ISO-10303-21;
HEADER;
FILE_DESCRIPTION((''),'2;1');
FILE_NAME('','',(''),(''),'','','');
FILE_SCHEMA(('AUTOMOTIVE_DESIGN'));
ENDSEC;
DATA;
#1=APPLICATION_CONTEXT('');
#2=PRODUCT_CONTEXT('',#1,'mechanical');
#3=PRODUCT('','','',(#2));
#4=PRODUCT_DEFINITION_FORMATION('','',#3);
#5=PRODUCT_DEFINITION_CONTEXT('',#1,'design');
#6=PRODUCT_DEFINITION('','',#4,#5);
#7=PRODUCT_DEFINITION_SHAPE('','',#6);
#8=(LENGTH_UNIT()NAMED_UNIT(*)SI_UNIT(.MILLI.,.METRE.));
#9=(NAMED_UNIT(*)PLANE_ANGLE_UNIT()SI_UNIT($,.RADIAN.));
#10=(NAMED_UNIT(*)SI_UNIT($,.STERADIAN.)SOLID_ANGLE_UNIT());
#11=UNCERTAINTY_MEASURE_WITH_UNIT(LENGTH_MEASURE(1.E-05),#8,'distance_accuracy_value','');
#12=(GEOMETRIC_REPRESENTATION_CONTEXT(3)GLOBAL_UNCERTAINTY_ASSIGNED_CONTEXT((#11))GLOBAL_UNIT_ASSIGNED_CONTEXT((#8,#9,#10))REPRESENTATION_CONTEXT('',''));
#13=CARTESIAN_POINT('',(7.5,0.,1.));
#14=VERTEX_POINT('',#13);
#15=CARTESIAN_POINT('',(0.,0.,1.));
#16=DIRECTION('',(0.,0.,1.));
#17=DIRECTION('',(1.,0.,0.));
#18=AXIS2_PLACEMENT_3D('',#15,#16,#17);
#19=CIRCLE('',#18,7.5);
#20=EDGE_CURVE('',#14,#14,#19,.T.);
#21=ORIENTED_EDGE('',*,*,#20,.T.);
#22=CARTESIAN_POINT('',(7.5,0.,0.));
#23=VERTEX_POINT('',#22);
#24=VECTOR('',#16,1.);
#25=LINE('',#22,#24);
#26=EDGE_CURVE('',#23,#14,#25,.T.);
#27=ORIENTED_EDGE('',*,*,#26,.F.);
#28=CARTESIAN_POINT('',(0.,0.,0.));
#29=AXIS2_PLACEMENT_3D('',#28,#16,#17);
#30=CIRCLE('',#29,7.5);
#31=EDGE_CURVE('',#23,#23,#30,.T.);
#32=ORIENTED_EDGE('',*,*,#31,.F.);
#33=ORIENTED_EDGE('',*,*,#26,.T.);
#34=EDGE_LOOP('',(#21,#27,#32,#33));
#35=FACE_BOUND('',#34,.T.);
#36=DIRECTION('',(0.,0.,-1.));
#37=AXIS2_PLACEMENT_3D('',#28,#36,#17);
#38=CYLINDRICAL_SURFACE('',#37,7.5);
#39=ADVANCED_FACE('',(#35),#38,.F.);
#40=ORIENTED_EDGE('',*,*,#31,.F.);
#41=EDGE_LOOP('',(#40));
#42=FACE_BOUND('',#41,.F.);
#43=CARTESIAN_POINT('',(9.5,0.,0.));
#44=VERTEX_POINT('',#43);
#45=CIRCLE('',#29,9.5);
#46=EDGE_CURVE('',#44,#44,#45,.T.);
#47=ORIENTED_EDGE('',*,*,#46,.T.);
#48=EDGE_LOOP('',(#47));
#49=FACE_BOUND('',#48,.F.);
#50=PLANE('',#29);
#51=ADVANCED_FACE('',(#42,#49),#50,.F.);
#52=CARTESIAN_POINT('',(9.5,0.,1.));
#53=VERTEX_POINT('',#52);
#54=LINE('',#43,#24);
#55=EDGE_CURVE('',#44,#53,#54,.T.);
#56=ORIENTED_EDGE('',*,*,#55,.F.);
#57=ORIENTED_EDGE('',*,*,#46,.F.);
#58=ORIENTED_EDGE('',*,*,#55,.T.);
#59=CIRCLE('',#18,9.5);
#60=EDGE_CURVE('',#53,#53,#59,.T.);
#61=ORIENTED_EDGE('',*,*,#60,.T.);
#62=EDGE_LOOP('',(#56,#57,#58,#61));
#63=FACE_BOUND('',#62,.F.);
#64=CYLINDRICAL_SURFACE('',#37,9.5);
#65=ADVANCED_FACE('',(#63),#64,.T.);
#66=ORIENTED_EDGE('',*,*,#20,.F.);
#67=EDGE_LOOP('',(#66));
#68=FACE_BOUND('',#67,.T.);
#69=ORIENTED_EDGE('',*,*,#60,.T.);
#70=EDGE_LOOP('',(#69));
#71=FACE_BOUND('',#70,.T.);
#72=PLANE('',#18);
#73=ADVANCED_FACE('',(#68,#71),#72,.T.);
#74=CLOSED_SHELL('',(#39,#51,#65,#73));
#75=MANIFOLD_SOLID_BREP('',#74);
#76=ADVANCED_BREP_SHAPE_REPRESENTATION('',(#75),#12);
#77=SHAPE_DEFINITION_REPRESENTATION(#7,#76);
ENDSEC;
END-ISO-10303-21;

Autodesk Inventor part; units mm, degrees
ref_plane "YZ Plane" through (0, 0, 0) normal (1, 0, 0) x (0, 1, 0)
ref_plane "XZ Plane" through (0, 0, 0) normal (0, 1, 0) x (-1, 0, 0)
ref_plane "XY Plane" through (0, 0, 0) normal (0, 0, 1) x (1, 0, 0)
sketch "Sketch1" plane through (0, 0, 0) normal (0, 0, 1) x (1, 0, 0)
  circle A0 centre (0, 0) radius 7.5
  circle A1 centre (0, 0) radius 9.5
  dimension "d0" = 15
  dimension "d1" = 19
extrude "Extrusion1" add sketch "Sketch1" along normal blind 1
properties part number "1mm 0.5in Hex Spacer"
